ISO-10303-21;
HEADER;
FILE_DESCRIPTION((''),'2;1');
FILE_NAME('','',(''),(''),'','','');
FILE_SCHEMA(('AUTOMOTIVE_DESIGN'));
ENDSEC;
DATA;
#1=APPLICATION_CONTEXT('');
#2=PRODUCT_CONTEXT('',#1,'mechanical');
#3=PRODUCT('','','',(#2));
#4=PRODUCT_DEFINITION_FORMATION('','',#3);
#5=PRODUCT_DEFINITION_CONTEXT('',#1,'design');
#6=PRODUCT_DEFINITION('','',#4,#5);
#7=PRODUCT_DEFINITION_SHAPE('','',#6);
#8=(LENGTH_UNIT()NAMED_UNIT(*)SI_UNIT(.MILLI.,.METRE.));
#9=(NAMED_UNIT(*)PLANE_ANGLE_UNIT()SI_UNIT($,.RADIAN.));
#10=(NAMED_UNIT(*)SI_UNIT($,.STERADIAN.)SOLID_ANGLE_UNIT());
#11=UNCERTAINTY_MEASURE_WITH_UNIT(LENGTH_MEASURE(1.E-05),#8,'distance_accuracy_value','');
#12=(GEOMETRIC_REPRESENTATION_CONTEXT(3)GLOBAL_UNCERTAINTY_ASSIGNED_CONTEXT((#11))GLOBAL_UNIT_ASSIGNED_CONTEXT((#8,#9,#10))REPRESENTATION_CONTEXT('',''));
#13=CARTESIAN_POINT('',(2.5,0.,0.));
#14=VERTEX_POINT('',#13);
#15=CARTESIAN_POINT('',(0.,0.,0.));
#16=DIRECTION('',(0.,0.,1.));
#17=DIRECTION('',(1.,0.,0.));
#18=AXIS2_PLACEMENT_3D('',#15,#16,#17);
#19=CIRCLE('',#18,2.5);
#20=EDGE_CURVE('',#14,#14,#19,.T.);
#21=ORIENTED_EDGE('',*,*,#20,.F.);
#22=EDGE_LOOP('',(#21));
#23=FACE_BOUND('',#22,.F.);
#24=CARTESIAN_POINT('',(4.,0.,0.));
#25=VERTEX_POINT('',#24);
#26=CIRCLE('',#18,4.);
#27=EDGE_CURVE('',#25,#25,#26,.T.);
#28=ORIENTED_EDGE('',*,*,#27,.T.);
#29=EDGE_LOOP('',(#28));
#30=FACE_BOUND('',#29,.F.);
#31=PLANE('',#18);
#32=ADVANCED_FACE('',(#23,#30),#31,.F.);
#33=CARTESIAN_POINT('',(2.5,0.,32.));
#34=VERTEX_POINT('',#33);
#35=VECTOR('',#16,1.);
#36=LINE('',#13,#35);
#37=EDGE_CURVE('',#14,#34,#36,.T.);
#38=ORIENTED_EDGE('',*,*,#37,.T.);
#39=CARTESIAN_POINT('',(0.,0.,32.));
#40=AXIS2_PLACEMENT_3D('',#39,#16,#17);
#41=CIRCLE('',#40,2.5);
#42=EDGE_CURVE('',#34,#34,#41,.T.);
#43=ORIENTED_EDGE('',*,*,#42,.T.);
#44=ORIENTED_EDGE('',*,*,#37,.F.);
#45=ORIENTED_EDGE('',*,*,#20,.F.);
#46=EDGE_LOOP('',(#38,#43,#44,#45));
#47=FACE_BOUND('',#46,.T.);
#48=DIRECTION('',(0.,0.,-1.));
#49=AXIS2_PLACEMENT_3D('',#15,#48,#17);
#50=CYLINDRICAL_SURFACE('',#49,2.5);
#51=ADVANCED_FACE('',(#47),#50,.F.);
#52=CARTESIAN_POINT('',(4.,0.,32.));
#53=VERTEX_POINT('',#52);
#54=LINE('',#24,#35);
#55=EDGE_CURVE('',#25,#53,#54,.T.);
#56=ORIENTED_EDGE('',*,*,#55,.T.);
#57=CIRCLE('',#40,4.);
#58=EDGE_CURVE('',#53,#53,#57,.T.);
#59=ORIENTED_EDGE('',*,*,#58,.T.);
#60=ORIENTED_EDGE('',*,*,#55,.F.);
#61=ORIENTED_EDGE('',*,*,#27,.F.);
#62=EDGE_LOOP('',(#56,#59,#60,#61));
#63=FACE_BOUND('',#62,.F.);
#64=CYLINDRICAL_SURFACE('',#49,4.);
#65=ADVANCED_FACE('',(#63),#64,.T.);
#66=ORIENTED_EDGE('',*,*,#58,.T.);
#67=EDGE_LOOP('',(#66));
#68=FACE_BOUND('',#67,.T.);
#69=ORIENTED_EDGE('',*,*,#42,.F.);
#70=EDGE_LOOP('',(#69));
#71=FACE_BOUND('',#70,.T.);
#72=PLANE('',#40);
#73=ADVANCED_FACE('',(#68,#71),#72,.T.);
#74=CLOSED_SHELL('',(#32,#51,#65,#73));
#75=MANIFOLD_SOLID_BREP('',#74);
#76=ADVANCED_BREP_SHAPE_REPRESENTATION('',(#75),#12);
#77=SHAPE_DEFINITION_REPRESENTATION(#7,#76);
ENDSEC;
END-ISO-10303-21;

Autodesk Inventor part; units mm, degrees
ref_plane "YZ Plane" through (0, 0, 0) normal (1, 0, 0) x (0, 1, 0)
ref_plane "XZ Plane" through (0, 0, 0) normal (0, 1, 0) x (-1, 0, 0)
ref_plane "XY Plane" through (0, 0, 0) normal (0, 0, 1) x (1, 0, 0)
sketch "Эскиз1" plane through (0, 0, 0) normal (0, 0, 1) x (1, 0, 0)
  circle A0 centre (0, 0) radius 2.5
  circle A1 centre (0, 0) radius 4
  dimension "d0" = 5
  dimension "d1" = 8
extrude "Выдавливание1" add sketch "Эскиз1" along normal blind 32
properties part number "Вал шестерни (левой)"
